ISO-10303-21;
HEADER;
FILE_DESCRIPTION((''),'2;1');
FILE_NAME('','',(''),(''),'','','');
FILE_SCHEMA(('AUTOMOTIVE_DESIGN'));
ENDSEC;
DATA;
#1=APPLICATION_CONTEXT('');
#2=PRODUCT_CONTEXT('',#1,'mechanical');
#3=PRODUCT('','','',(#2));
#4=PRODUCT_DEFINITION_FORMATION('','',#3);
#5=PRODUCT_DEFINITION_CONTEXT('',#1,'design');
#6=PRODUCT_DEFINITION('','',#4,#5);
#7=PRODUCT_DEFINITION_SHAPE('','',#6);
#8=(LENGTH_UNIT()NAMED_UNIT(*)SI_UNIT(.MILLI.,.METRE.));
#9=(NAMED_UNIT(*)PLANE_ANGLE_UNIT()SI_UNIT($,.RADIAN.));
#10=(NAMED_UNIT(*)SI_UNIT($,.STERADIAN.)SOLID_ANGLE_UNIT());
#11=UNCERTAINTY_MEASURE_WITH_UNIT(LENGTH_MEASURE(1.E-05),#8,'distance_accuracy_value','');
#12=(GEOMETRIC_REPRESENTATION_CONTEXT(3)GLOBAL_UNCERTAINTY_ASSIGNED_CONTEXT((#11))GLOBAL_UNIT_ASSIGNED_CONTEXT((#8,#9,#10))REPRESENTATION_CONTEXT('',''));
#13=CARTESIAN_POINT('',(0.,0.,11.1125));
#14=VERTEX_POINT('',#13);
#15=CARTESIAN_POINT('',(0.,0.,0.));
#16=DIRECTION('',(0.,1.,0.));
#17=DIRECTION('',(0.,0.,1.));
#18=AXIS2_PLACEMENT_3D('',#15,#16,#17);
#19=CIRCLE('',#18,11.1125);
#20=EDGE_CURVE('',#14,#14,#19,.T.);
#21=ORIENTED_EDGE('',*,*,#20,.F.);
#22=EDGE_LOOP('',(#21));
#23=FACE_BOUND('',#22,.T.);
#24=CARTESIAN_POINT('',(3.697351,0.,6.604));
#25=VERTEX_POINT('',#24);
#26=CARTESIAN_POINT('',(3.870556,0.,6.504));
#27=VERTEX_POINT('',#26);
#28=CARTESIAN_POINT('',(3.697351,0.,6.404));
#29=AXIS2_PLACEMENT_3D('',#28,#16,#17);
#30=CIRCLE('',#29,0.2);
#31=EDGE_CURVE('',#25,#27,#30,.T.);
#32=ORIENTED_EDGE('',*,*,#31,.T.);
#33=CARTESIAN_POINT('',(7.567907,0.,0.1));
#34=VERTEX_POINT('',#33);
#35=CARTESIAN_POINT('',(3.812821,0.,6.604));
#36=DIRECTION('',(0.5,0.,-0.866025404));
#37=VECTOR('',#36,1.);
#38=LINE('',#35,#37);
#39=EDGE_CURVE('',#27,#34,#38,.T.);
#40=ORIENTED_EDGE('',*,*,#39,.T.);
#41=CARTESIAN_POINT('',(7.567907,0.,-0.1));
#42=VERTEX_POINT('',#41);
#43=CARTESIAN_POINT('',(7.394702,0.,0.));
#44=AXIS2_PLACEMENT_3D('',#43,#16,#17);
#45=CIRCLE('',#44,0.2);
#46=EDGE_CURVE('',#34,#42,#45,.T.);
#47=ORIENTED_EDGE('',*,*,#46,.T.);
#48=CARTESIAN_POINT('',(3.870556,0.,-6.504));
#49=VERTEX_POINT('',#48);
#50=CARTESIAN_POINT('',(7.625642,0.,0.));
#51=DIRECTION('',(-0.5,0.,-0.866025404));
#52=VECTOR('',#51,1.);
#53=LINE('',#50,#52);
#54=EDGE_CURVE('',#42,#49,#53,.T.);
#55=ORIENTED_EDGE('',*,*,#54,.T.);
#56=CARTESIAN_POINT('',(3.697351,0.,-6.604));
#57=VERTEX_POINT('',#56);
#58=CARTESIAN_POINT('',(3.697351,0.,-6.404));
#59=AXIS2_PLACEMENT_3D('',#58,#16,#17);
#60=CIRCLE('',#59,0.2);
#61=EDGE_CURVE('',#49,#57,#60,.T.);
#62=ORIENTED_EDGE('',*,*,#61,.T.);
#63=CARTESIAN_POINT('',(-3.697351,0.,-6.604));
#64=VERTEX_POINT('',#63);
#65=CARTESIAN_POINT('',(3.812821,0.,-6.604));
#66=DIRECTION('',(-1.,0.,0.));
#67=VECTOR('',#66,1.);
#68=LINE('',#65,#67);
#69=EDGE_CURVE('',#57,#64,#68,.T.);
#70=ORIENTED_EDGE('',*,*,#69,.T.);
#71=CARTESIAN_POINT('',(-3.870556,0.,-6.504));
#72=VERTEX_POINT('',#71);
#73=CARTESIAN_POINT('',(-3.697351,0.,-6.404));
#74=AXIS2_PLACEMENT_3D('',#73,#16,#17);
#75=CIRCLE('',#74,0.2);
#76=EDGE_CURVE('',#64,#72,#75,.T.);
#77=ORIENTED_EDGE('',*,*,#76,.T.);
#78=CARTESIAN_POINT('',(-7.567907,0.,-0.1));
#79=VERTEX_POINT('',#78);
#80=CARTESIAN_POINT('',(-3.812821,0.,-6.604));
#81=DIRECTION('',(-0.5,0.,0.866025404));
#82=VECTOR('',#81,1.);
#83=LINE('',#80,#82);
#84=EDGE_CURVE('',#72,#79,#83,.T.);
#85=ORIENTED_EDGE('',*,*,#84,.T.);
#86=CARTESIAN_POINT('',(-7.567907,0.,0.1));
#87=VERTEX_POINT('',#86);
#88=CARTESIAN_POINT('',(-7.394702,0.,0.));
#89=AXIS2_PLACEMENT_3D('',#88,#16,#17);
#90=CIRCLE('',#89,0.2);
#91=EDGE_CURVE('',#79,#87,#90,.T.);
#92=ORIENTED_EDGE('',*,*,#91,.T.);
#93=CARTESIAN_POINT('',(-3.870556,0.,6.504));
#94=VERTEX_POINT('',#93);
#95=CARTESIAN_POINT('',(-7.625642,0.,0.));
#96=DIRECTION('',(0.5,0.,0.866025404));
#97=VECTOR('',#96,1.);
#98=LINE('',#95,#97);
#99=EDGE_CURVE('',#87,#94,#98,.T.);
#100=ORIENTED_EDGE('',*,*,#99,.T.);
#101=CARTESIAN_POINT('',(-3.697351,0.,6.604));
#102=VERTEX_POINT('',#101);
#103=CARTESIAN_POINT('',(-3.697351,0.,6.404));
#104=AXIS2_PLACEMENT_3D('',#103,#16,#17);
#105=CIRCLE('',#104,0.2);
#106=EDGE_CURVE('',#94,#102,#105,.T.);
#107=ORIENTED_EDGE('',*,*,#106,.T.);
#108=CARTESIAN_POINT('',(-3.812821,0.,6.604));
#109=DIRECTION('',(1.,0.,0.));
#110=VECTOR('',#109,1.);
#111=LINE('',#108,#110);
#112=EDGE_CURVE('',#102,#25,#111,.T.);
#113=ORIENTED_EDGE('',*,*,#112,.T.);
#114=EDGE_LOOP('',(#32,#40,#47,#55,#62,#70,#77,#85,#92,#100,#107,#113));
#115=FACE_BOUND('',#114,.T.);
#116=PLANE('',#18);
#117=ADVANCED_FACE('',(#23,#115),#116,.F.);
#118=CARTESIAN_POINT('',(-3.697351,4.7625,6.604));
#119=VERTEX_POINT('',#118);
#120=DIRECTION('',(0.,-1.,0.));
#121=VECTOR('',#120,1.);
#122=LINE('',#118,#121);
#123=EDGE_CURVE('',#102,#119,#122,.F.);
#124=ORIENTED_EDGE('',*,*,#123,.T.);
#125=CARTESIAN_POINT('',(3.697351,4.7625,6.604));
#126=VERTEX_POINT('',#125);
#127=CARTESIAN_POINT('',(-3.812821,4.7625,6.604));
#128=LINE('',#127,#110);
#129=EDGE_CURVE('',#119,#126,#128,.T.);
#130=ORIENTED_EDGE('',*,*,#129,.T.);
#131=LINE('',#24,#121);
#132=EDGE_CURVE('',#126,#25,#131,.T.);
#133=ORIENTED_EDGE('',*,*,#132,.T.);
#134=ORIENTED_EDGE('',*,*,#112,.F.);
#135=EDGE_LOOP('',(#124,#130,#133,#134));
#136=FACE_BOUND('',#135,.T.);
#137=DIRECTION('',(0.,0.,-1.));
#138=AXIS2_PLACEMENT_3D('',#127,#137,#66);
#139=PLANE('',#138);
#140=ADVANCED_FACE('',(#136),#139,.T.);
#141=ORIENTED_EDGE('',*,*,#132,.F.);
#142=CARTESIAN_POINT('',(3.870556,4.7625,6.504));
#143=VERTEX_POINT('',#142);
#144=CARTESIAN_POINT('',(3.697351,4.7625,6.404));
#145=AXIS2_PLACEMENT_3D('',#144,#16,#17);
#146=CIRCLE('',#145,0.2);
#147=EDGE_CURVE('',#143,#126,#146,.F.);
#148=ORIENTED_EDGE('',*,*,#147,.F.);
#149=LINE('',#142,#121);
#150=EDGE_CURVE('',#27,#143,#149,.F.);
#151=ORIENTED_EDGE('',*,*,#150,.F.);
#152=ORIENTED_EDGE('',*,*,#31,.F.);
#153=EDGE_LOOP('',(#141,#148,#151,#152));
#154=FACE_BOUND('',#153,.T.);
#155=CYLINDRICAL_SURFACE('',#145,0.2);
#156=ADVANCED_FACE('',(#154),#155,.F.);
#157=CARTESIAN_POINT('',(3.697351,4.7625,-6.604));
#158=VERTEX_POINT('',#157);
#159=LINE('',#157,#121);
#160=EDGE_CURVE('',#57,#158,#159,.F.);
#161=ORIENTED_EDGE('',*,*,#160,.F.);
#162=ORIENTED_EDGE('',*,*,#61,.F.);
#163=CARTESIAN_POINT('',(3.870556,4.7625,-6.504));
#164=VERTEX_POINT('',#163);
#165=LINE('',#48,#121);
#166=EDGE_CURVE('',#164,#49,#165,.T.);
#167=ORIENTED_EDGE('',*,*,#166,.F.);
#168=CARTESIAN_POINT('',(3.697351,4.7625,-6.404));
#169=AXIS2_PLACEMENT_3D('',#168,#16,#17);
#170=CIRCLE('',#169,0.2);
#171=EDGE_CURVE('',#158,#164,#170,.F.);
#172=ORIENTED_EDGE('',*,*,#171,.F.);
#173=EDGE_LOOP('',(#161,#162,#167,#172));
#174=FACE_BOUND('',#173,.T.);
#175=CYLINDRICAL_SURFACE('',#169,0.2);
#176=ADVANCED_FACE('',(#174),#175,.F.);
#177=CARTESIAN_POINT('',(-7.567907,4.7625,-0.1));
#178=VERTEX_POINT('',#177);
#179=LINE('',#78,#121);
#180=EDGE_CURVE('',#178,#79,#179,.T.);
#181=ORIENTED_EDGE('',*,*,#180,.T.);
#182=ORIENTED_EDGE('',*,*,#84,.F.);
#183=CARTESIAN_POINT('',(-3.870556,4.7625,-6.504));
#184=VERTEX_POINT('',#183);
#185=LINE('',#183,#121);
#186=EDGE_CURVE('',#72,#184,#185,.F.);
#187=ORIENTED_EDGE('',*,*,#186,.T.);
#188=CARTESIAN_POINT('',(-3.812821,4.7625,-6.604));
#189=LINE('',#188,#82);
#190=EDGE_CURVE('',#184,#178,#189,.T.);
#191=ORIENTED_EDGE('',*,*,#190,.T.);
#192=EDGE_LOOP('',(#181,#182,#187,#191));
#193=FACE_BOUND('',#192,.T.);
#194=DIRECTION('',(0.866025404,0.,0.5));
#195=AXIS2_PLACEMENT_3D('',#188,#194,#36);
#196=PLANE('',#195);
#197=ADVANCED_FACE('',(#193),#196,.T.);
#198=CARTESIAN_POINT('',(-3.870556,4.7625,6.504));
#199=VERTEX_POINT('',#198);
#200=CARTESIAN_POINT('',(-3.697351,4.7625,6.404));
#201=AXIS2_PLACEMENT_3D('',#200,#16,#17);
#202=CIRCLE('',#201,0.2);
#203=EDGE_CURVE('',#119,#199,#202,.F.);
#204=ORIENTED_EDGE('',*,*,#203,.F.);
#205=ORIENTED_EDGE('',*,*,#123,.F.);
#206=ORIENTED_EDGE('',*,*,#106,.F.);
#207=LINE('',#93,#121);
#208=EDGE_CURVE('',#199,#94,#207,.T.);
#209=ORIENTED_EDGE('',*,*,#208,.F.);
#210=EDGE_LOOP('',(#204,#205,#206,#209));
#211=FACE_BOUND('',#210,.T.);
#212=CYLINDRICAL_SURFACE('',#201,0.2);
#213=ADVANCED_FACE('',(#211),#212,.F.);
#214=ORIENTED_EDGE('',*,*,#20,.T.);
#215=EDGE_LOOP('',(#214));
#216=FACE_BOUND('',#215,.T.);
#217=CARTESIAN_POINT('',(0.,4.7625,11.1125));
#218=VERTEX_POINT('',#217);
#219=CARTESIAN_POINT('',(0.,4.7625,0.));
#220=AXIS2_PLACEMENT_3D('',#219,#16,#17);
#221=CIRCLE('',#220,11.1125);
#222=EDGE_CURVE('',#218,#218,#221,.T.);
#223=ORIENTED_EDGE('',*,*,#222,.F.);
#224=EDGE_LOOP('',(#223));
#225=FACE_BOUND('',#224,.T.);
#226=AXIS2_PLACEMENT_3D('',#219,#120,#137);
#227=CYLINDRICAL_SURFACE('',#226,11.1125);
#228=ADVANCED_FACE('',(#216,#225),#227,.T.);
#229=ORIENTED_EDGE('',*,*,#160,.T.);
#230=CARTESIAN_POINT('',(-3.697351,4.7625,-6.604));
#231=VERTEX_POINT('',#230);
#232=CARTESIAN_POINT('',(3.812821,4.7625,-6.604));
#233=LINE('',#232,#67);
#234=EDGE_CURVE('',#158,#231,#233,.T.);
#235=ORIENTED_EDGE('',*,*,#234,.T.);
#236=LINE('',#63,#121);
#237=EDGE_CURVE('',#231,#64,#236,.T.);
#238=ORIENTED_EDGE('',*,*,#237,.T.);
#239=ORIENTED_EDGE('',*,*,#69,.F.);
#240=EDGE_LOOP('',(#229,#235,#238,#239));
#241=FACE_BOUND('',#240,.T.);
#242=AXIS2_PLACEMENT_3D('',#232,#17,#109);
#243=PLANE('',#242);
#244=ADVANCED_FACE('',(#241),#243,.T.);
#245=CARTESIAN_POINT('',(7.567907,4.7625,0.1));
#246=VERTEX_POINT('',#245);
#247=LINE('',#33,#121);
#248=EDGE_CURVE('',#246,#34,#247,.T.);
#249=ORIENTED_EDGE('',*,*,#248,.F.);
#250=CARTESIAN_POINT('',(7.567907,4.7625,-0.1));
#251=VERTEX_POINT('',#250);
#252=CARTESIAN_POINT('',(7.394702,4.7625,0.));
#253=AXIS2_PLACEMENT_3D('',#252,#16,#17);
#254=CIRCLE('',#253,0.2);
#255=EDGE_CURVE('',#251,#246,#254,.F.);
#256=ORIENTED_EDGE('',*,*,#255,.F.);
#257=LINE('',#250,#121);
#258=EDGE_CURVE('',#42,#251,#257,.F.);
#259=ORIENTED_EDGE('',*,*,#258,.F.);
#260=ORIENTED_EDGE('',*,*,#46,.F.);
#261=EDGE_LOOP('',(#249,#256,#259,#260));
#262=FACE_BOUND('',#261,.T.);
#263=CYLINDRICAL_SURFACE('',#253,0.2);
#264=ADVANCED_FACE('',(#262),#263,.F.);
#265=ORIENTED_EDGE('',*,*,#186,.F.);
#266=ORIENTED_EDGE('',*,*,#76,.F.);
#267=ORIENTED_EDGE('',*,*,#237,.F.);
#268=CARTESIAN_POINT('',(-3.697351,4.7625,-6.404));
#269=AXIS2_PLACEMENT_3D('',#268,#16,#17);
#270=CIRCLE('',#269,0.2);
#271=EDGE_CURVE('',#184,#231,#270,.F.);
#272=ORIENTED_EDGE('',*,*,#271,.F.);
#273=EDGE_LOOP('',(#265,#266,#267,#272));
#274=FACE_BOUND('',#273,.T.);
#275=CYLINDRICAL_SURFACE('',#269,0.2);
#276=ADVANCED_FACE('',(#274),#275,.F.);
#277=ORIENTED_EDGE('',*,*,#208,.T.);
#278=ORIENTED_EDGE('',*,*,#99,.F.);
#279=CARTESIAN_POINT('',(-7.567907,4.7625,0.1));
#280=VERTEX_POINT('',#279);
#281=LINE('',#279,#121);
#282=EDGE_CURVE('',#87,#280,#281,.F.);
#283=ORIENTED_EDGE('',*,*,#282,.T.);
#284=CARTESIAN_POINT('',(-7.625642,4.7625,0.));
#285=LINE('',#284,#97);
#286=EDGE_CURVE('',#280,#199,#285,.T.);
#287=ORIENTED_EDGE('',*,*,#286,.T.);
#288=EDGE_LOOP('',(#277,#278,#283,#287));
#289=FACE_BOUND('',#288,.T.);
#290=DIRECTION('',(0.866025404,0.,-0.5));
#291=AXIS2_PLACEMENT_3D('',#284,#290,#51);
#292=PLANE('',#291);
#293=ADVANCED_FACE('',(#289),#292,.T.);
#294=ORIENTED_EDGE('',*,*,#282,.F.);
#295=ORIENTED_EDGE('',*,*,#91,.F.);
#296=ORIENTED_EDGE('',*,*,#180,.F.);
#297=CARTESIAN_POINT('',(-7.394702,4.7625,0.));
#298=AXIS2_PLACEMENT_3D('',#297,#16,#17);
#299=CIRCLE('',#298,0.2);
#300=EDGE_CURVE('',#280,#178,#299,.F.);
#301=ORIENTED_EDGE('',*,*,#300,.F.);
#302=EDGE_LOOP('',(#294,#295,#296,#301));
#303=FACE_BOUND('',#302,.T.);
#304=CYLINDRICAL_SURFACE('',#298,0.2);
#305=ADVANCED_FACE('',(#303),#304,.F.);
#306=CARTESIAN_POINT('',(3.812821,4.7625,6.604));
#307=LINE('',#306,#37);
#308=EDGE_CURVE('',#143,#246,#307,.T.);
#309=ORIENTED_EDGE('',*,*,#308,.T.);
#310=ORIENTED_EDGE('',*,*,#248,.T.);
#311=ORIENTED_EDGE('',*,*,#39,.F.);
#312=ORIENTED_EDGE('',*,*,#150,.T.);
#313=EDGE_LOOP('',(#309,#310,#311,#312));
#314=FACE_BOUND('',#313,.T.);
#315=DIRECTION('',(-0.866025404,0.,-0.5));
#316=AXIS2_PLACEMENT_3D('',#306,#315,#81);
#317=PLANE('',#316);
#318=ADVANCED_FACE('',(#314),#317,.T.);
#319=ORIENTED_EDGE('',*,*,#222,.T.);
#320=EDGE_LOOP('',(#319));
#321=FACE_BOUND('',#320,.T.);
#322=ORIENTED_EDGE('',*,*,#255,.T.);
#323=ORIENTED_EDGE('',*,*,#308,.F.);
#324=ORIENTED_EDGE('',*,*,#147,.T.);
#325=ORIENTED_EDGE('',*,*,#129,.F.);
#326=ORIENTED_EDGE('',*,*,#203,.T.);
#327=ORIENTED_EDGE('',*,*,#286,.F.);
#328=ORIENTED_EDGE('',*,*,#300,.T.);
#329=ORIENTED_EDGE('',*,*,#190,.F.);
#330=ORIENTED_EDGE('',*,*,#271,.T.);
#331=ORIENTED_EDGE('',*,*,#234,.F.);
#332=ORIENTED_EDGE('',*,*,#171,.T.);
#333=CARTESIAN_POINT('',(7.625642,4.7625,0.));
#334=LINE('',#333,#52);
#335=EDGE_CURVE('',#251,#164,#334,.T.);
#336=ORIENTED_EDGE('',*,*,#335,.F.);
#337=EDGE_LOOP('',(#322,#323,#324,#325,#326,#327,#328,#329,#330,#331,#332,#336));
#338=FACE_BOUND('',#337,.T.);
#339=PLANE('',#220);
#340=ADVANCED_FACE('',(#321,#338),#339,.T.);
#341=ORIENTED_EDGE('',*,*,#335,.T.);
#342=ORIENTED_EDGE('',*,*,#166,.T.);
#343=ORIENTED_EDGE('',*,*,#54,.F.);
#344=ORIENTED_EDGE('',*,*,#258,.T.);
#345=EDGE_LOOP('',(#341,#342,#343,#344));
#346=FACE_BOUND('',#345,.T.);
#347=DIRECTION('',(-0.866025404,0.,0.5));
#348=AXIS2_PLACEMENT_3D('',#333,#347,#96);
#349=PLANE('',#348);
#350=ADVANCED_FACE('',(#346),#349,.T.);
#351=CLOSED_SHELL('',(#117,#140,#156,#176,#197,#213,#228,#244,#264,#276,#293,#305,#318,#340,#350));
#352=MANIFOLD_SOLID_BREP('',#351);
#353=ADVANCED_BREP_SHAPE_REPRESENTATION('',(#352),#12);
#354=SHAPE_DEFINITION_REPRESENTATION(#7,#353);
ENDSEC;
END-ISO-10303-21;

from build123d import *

# Parameters (mm, degrees)
SKETCH1_R           = 11.1125
BOSS_EXTRUDE1_DEPTH = 4.7625
FILLET1_R           = 0.2


with BuildPart() as part:
    # Sketch1 → Boss-Extrude1 (new body)
    with BuildSketch(Plane(origin=(0, 0, 0), x_dir=(1, 0, 0), z_dir=(0, 1, 0))):
        Circle(SKETCH1_R)
        Polygon((7.625642355, 0), (3.812821178, 6.604), (-3.812821178, 6.604), (-7.625642355, 0), (-3.812821178, -6.604), (3.812821178, -6.604), align=None, mode=Mode.SUBTRACT)
    extrude(amount=BOSS_EXTRUDE1_DEPTH)

    # Fillet1
    fillet1_edges = [part.edges().sort_by_distance(p)[0] for p in [
        (7.625642355, 2.38125, 0),
        (3.812821178, 2.38125, -6.604),
        (-3.812821178, 2.38125, -6.604),
        (-7.625642355, 2.38125, 0),
        (-3.812821178, 2.38125, 6.604),
        (3.812821178, 2.38125, 6.604),
    ]]
    fillet(fillet1_edges, radius=FILLET1_R)


solid = part.part
